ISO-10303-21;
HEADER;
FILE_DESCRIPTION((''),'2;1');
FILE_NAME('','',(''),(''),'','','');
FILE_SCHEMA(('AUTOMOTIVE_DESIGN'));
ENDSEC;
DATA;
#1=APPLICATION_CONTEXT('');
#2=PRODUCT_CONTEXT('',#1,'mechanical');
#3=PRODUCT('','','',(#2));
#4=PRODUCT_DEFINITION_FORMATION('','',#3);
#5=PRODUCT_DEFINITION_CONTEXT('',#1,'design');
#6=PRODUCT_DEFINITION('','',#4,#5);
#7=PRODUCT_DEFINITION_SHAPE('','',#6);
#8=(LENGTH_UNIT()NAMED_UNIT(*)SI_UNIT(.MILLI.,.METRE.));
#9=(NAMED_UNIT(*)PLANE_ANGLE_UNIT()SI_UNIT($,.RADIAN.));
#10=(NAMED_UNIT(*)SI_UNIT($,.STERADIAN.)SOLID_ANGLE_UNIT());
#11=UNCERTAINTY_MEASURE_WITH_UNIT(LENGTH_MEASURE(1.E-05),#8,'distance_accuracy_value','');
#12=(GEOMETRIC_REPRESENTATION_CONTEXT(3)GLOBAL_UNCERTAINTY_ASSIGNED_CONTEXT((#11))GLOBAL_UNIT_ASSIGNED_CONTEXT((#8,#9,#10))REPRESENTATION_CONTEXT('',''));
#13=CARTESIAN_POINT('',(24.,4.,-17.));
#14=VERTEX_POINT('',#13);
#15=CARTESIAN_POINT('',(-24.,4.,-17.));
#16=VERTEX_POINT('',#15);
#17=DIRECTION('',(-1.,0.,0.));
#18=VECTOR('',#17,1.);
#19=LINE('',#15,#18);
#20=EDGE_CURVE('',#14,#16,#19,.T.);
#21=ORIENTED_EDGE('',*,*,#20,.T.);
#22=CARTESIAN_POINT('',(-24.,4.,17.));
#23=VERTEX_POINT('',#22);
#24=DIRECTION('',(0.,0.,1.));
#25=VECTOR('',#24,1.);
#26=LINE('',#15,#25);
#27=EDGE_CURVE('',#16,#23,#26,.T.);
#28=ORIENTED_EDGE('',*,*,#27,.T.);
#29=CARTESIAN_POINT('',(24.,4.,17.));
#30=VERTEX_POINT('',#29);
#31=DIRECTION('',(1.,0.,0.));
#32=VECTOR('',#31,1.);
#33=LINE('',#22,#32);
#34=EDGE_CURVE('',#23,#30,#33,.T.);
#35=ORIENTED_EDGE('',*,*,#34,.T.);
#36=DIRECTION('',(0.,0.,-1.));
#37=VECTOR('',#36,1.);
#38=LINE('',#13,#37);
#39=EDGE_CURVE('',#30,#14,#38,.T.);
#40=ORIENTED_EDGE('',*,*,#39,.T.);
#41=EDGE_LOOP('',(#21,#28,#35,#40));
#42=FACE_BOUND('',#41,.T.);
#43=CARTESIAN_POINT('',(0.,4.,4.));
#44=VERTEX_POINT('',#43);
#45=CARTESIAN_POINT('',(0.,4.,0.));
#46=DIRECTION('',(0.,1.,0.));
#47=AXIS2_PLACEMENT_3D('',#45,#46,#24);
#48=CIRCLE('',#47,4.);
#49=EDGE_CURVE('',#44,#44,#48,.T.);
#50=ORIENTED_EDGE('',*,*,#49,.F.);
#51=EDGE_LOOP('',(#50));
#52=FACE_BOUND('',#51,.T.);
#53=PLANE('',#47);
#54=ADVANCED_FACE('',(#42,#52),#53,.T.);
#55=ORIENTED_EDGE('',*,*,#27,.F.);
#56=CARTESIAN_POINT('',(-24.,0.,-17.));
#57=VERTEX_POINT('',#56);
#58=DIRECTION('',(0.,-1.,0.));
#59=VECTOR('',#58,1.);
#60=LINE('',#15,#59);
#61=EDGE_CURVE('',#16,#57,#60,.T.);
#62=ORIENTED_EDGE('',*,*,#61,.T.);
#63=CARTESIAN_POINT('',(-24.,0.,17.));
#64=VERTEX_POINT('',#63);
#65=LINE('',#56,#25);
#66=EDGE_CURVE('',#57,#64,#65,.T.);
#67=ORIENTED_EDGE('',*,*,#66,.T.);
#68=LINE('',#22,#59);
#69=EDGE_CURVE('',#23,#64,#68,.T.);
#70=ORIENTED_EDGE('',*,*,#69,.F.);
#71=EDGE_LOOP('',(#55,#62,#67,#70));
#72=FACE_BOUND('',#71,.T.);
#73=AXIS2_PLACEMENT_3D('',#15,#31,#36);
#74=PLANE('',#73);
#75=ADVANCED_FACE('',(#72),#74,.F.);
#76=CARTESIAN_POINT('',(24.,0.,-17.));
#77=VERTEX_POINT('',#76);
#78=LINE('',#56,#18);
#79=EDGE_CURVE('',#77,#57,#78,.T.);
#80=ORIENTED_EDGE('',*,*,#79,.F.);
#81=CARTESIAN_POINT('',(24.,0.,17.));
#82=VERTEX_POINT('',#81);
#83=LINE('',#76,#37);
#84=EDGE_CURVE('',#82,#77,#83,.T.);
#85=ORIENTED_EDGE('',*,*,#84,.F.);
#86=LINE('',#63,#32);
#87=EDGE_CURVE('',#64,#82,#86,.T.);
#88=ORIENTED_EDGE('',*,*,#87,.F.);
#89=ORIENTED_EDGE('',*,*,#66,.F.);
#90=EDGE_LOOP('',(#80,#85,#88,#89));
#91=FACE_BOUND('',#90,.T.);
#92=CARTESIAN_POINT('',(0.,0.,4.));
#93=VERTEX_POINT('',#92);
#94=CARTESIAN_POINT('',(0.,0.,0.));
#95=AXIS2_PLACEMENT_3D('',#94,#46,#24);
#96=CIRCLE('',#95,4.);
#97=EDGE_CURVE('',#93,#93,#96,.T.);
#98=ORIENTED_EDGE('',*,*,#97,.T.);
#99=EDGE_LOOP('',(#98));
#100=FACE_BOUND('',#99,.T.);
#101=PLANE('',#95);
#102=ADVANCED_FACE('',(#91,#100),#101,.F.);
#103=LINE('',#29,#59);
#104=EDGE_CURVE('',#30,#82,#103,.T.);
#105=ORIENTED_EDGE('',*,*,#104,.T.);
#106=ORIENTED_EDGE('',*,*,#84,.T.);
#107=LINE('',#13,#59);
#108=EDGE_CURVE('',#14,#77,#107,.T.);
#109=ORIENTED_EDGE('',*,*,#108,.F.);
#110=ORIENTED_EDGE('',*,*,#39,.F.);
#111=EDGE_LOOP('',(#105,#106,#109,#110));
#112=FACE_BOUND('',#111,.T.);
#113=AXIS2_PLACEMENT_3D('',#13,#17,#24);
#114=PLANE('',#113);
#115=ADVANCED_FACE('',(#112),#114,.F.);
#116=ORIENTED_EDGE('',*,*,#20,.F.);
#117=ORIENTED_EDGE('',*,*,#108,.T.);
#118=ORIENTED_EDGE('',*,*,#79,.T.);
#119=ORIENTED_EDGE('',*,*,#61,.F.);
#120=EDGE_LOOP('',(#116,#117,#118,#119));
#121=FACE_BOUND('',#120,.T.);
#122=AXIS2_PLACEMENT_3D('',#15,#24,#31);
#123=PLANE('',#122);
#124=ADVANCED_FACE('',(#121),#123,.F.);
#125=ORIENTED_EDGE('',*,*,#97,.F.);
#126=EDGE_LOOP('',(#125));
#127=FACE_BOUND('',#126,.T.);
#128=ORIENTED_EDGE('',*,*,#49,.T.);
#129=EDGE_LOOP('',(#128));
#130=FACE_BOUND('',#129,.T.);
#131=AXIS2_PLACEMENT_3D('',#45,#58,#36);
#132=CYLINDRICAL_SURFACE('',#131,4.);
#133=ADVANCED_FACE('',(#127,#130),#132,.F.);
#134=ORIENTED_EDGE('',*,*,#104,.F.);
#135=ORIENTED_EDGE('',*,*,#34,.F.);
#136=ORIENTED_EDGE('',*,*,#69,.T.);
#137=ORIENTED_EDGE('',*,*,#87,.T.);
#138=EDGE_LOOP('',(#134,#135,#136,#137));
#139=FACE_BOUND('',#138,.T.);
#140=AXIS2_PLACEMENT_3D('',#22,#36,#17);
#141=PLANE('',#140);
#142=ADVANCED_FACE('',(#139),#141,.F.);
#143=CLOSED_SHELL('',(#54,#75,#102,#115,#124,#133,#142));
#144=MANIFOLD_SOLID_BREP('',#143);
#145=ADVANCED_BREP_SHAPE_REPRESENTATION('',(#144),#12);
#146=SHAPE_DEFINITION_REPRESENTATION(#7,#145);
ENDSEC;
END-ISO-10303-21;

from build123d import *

# Parameters (mm, degrees)
SKETCH1_W           = 48
SKETCH1_H           = 34
SKETCH1_R           = 4
BOSS_EXTRUDE1_DEPTH = 4


with BuildPart() as part:
    # Sketch1 → Boss-Extrude1 (new body)
    with BuildSketch(Plane(origin=(0, 0, 0), x_dir=(1, 0, 0), z_dir=(0, 1, 0))):
        Rectangle(SKETCH1_W, SKETCH1_H)
        with Locations(Location((0, 0, 0), (0, 0, 270))):
            Circle(SKETCH1_R, mode=Mode.SUBTRACT)
    extrude(amount=BOSS_EXTRUDE1_DEPTH)


solid = part.part
